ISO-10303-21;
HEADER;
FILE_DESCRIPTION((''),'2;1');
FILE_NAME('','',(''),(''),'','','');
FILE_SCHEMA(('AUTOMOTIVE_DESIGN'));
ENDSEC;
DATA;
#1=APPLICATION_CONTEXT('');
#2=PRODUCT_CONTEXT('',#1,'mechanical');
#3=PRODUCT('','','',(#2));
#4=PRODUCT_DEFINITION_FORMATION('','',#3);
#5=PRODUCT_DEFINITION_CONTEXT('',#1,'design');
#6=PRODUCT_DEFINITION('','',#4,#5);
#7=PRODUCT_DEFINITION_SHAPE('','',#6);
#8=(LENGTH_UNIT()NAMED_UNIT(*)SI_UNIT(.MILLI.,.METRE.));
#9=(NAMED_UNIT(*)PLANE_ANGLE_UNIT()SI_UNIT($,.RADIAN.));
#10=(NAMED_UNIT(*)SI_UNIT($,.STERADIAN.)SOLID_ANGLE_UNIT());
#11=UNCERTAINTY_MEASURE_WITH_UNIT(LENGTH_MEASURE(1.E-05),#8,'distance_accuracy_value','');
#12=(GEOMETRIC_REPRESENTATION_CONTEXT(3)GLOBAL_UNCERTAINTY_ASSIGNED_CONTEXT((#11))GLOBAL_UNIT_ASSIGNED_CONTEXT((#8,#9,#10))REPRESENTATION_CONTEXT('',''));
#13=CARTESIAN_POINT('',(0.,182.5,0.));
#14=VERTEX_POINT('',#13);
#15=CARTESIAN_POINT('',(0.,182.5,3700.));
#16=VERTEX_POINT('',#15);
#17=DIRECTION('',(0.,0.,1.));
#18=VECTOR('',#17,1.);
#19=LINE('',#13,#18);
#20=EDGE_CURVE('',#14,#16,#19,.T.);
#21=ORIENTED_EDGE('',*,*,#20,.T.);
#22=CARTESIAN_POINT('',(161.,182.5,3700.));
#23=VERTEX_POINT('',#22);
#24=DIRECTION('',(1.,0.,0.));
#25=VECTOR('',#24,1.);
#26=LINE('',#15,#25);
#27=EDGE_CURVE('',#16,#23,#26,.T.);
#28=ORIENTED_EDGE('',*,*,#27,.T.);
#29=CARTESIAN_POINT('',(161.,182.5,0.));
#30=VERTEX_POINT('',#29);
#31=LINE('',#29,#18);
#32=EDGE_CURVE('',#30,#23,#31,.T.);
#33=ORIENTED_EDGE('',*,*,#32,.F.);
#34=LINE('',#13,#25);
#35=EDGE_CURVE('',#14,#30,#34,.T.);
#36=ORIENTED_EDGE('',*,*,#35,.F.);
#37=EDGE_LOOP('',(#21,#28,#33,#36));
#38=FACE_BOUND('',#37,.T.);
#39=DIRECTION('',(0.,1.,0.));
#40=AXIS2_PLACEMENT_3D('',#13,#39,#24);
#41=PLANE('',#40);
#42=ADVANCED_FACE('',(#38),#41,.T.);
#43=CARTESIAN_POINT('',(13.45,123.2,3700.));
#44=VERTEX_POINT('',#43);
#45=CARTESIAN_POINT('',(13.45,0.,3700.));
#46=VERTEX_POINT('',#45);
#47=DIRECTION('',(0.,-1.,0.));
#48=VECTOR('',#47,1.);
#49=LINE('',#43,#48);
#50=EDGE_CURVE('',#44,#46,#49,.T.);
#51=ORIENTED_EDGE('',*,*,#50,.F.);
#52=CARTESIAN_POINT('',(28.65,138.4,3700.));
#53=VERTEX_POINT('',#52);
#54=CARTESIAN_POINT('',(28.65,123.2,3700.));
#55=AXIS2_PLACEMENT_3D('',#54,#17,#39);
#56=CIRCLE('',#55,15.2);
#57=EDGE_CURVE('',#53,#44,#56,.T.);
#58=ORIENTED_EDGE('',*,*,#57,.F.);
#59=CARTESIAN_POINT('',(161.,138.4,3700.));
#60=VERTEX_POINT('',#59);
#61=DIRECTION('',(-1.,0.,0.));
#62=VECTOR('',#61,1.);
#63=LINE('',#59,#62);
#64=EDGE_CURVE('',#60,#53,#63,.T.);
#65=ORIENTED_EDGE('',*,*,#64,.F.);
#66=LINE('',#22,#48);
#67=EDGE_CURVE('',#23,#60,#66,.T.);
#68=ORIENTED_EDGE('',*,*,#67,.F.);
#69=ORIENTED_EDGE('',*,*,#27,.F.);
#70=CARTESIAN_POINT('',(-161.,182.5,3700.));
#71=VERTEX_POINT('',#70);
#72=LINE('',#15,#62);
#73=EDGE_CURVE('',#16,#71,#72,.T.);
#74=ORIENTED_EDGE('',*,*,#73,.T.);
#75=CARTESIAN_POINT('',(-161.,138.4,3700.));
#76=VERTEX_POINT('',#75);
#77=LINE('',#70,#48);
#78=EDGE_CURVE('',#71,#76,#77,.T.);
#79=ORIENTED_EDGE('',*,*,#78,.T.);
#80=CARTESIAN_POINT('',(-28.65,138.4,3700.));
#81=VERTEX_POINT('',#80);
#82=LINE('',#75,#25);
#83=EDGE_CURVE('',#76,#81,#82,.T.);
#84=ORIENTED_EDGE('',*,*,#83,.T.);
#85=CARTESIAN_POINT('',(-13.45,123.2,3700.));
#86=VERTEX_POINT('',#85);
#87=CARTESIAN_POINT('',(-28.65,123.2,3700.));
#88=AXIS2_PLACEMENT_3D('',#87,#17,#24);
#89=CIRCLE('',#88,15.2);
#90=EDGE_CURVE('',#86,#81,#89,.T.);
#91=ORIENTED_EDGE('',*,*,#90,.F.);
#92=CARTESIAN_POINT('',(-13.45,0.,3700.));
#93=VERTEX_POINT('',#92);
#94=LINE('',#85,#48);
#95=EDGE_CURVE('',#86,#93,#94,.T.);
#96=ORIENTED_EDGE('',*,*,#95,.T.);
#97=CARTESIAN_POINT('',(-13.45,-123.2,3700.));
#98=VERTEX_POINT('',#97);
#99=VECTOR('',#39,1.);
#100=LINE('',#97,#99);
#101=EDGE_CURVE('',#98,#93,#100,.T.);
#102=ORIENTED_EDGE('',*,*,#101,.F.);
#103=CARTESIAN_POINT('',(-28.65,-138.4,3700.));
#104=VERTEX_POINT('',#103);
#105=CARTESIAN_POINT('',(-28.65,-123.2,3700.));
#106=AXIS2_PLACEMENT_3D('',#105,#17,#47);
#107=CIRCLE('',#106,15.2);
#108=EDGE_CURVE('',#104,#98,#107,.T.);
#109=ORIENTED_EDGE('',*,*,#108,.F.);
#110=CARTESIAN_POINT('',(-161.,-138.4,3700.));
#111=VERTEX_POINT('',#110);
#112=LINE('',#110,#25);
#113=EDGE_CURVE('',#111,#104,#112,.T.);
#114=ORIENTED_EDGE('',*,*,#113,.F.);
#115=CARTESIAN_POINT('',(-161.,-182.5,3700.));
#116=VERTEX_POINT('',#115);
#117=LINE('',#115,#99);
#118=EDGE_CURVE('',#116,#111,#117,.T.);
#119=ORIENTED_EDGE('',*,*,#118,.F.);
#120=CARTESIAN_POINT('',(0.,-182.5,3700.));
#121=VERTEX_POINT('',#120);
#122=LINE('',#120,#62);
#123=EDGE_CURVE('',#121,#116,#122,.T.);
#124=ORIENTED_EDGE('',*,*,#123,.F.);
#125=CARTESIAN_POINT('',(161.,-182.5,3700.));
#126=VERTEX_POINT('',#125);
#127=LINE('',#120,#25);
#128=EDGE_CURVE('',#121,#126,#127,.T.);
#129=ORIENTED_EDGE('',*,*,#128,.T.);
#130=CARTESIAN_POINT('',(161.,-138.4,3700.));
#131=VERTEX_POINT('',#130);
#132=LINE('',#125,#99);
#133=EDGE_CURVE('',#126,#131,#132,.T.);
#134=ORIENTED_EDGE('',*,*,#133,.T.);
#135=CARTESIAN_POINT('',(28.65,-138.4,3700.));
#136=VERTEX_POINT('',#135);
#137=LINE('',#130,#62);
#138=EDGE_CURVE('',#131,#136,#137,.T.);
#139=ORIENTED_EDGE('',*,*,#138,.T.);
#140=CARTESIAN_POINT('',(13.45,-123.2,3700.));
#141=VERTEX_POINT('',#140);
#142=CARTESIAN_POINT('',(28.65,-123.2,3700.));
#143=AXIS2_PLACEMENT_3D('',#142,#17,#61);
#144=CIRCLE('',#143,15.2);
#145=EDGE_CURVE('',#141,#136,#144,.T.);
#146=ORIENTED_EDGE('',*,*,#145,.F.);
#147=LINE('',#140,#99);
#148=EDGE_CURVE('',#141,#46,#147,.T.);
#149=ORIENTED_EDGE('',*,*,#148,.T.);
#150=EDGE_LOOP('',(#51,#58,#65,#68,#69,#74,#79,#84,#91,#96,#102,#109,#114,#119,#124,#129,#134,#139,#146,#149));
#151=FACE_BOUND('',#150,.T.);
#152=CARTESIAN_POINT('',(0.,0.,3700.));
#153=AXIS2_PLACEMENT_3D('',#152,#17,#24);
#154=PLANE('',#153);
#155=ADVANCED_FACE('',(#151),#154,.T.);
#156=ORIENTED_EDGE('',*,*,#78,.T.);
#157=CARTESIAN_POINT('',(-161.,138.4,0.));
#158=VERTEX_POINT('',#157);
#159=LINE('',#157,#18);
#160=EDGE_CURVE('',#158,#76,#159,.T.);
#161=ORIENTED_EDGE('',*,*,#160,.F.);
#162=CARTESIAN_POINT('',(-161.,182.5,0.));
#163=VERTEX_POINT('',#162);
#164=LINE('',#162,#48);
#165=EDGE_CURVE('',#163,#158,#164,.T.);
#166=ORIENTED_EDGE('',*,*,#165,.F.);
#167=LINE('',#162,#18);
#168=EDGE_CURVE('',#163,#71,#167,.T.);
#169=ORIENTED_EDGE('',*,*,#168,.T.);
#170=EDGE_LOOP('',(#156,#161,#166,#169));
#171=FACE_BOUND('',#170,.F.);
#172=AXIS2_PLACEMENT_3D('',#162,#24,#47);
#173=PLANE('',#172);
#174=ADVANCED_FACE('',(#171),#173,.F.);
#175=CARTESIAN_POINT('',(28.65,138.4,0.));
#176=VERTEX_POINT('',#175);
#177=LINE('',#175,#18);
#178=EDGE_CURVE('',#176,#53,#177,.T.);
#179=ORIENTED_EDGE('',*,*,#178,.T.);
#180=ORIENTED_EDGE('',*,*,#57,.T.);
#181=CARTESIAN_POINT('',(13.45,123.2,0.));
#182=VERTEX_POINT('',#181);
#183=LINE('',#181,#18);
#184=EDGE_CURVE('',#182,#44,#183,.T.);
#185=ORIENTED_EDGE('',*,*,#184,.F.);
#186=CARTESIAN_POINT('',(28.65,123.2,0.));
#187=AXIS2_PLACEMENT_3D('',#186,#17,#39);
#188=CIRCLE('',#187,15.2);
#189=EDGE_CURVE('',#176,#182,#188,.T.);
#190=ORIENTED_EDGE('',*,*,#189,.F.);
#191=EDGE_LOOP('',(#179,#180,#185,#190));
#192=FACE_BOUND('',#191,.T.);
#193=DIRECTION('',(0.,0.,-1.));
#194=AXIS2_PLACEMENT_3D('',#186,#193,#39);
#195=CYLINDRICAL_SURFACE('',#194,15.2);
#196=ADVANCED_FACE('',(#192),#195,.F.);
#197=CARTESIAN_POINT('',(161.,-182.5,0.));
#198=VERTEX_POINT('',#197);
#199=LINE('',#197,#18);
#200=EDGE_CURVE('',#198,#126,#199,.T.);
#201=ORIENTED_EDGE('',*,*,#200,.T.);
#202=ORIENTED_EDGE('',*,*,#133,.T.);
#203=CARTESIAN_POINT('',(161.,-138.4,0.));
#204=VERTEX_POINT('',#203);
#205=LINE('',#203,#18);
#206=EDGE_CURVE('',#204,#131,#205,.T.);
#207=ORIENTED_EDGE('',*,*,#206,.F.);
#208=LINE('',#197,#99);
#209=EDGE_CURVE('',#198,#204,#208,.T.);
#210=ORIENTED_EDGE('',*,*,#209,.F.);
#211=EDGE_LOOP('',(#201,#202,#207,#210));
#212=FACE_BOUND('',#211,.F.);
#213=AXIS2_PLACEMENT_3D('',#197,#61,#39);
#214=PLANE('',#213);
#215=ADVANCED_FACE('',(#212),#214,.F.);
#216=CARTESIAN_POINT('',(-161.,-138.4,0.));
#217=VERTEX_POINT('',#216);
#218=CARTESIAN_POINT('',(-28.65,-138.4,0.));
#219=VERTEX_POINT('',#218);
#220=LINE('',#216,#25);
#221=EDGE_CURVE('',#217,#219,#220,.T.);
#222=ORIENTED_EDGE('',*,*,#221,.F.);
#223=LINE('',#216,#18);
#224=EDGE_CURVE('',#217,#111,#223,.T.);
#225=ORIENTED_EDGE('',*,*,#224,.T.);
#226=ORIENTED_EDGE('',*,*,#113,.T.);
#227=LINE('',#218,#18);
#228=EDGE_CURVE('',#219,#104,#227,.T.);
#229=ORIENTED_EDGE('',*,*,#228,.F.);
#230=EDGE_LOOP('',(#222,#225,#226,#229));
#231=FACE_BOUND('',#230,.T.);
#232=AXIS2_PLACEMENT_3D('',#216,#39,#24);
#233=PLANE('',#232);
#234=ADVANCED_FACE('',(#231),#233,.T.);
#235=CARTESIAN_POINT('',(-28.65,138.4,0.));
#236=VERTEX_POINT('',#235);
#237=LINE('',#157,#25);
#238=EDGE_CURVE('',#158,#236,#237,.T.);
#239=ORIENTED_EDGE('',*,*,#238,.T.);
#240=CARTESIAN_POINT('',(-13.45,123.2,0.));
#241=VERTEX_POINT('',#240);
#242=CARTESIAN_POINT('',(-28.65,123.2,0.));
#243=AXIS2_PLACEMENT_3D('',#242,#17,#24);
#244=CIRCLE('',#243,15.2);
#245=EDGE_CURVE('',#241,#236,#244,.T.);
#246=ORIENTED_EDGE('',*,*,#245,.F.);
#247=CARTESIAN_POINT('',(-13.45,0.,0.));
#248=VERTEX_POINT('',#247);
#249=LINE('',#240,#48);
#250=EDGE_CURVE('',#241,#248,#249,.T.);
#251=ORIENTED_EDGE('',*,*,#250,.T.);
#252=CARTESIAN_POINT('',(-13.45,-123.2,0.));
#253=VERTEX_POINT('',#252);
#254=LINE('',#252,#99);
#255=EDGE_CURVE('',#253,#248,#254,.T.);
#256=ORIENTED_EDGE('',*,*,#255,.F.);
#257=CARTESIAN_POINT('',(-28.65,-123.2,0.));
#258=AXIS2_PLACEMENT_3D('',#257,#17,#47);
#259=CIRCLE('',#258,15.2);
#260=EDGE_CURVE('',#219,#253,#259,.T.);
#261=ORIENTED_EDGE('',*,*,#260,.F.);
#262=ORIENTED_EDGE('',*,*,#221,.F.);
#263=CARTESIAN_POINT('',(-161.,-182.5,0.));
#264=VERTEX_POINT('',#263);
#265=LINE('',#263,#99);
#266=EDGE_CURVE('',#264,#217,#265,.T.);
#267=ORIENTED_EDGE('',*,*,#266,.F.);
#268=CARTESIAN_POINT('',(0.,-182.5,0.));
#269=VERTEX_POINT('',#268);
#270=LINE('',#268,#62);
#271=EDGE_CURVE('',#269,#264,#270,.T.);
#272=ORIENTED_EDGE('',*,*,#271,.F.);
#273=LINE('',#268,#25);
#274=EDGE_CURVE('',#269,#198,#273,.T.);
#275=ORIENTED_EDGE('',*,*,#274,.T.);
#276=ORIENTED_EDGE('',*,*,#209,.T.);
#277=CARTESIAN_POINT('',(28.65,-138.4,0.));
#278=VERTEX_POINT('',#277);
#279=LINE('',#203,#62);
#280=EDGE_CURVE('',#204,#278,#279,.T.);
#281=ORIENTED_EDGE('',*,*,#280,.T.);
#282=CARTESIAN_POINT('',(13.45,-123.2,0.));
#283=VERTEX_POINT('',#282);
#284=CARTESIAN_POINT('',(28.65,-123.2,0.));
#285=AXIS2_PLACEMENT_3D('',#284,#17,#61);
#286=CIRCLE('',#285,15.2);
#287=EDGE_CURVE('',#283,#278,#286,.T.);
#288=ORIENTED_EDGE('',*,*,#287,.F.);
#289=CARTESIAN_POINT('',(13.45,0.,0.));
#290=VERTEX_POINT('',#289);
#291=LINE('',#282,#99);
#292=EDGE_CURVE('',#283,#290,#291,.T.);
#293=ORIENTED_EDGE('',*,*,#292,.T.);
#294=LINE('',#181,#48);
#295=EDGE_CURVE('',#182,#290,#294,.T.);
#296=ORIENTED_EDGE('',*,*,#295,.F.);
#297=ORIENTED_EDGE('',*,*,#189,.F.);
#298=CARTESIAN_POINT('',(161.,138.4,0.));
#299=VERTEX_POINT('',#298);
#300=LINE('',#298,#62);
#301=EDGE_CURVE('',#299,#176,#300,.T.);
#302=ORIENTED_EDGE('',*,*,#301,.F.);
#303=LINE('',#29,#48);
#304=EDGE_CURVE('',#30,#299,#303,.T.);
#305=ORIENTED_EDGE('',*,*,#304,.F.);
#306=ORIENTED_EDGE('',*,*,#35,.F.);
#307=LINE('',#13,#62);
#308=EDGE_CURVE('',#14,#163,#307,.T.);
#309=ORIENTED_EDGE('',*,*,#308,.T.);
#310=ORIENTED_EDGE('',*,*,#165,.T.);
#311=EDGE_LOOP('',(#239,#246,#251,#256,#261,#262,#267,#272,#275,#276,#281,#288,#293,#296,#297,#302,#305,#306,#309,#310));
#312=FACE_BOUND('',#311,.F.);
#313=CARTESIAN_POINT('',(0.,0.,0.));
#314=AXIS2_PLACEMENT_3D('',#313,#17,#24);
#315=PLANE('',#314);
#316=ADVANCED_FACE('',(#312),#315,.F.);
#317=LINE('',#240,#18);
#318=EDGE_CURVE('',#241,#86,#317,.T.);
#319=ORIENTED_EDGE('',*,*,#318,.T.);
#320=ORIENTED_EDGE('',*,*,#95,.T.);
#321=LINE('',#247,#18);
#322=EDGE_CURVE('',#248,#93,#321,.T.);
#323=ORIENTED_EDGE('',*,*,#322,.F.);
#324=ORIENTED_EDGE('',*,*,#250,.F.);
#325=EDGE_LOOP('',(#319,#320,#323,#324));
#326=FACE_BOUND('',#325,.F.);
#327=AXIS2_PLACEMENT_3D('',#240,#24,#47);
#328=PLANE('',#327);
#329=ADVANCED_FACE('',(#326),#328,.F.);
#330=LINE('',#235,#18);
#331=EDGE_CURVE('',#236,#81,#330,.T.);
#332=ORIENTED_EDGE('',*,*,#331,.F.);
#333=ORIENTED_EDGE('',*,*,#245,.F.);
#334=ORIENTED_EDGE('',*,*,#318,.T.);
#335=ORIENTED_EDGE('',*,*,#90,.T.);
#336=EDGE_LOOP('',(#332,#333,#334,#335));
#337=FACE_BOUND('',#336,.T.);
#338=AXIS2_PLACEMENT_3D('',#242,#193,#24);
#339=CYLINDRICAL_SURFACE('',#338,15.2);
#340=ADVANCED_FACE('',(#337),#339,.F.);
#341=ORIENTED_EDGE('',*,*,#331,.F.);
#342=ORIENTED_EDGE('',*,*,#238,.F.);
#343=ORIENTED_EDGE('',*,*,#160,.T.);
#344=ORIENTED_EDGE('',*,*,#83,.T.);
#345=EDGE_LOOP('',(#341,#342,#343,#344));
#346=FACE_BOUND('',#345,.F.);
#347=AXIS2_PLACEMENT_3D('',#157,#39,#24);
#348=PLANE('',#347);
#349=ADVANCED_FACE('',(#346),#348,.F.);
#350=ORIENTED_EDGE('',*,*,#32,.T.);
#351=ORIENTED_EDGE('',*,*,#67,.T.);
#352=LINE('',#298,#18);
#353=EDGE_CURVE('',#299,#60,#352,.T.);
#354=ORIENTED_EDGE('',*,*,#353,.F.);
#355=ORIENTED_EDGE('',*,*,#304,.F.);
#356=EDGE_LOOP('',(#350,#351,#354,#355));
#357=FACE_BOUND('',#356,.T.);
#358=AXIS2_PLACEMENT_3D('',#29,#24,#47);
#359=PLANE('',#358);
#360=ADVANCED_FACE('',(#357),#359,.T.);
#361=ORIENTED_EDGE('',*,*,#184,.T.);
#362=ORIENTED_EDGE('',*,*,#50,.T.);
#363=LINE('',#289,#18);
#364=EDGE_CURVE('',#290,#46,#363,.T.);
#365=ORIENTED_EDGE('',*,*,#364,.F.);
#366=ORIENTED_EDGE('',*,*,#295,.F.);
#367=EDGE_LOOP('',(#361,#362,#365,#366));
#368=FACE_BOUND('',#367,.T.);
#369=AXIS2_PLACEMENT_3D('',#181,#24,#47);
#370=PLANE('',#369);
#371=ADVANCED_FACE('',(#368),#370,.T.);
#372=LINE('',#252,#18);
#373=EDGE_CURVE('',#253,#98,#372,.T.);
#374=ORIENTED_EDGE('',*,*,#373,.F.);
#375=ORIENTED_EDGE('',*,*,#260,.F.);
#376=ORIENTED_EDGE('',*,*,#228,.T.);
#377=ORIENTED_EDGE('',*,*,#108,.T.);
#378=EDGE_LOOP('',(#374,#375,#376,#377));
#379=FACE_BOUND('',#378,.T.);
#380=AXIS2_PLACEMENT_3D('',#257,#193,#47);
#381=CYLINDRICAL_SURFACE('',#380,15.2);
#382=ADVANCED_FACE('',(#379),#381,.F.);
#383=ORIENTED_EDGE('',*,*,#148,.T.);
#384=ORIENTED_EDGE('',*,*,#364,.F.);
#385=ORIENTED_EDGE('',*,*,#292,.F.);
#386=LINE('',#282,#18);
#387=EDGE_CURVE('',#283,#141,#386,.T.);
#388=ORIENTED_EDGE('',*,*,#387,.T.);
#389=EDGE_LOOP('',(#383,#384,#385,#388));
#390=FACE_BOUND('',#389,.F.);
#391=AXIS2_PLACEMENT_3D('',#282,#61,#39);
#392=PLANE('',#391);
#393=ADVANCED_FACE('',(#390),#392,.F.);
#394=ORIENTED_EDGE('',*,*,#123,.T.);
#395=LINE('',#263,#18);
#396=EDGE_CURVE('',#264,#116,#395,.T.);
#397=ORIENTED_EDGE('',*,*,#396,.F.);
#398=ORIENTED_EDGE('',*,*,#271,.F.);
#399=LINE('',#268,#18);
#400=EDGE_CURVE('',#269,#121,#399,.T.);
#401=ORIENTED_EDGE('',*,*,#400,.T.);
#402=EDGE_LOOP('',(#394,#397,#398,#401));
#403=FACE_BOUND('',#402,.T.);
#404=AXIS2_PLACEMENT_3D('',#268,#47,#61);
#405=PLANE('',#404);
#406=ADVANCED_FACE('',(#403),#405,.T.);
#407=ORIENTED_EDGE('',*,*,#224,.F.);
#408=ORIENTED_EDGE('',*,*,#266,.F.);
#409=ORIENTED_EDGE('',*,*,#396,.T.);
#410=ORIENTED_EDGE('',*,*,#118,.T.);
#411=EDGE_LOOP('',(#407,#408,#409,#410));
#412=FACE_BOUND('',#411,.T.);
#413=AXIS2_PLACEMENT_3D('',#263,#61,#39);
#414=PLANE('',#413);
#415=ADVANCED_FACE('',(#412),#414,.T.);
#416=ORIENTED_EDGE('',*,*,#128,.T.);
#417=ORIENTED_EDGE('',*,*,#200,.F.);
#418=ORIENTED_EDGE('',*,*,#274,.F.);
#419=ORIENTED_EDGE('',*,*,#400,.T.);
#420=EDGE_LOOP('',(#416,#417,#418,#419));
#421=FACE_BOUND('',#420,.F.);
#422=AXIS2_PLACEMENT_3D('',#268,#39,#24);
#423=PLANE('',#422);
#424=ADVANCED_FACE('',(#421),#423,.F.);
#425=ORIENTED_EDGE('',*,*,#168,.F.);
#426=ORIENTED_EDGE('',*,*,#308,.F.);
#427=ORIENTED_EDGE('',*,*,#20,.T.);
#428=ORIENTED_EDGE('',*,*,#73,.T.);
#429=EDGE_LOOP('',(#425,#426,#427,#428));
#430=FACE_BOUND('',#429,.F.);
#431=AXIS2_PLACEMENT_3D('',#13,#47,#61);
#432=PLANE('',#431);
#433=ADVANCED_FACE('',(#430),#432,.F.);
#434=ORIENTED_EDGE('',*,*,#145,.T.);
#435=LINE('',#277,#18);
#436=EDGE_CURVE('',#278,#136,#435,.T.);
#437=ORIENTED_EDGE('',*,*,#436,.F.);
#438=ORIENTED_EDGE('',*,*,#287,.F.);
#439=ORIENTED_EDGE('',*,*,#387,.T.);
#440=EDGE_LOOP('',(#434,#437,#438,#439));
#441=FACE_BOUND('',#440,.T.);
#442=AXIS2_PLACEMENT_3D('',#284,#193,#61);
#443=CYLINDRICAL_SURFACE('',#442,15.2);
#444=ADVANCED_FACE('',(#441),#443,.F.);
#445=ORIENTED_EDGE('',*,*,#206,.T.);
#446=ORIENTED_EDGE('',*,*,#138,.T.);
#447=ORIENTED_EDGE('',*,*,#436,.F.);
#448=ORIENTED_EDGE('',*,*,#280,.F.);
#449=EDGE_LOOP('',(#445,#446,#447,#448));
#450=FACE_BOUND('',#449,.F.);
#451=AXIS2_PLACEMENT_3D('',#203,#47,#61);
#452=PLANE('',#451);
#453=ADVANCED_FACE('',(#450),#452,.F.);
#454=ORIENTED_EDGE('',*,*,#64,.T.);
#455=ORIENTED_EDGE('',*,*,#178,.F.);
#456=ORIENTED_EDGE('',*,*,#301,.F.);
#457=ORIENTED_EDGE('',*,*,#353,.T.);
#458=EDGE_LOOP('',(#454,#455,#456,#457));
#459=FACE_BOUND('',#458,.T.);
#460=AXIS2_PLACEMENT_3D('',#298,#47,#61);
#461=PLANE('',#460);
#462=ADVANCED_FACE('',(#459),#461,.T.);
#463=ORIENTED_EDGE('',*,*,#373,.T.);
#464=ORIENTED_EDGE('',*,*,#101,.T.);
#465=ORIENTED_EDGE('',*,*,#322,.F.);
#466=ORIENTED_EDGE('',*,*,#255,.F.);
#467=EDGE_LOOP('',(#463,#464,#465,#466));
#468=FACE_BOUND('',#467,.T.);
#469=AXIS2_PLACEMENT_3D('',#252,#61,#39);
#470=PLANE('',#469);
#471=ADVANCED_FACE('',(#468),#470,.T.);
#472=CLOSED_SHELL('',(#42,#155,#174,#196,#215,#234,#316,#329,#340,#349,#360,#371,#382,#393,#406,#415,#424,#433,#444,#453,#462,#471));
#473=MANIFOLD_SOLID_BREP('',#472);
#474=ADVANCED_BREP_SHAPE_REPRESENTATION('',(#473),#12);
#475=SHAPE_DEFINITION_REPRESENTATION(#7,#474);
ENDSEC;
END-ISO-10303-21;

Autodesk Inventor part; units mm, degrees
ref_plane "YZ Plane" through (0, 0, 0) normal (1, 0, 0) x (0, 1, 0)
ref_plane "Start plane" through (0, 0, 0) normal (0, 0, 1) x (1, 0, 0)
ref_plane "End plane" through (0, 0, 3700) normal (0, 0, 1) x (1, 0, 0)
sketch "Sketch" plane through (0, 0, 0) normal (0, 0, 1) x (1, 0, 0)
  line L0 (-161, -182.5) -> (-161, -138.4)
  line L1 (-161, -138.4) -> (-28.65, -138.4)
  line L2 (-13.45, -123.2) -> (-13.45, 0)
  line L3 (-13.45, 0) -> (0, 0) construction
  line L4 (0, 0) -> (0, -182.5) construction
  line L5 (0, -182.5) -> (-161, -182.5)
  line L6 (-60, 0) -> (80, 0) construction
  line L7 (0, -60) -> (0, 80) construction
  line L8 (161, -182.5) -> (161, -138.4)
  line L9 (161, -138.4) -> (28.65, -138.4)
  line L10 (13.45, -123.2) -> (13.45, 0)
  line L11 (13.45, 0) -> (0, 0) construction
  line L12 (0, -182.5) -> (161, -182.5)
  line L13 (-161, 182.5) -> (-161, 138.4)
  line L14 (-161, 138.4) -> (-28.65, 138.4)
  line L15 (-13.45, 123.2) -> (-13.45, 0)
  line L16 (0, 182.5) -> (-161, 182.5)
  line L17 (161, 182.5) -> (161, 138.4)
  line L18 (161, 138.4) -> (28.65, 138.4)
  line L19 (0, 182.5) -> (161, 182.5)
  line L20 (13.45, 123.2) -> (13.45, 0)
  arc A0 (-13.45, 123.2) -> (-28.65, 138.4) centre (-28.65, 123.2) ccw
  arc A1 (28.65, 138.4) -> (13.45, 123.2) centre (28.65, 123.2) ccw
  arc A2 (13.45, -123.2) -> (28.65, -138.4) centre (28.65, -123.2) ccw
  arc A3 (-28.65, -138.4) -> (-13.45, -123.2) centre (-28.65, -123.2) ccw
  line L21 (0, 108) -> (0, -88) construction
  line L22 (-88, 0) -> (108, 0) construction
  point P0 (-13.45, -138.4)
  point P1 (13.45, -138.4)
  point P2 (-13.45, 138.4)
  point P3 (13.45, 138.4)
  dimension "d1" = 182.5
  dimension "d2" = 44.1
  dimension "d3" = 161
  dimension "d4" = 13.45
  dimension "d10" = 15.2
extrude "Body" add sketch "Sketch" along normal up to surface (3700 mm away) from surface at 0
sketch "Sketch4" plane through (0, 0, 0) normal (0, 0, 1) x (1, 0, 0)
  line L0 (0, 0) -> (10, 0)
ref_plane "Work Plane3" through (0, 0, 0) normal (0, -1, 0) x (1, 0, 0)
sketch "Sketch5" plane through (0, 0, 0) normal (0, -1, 0) x (1, 0, 0)
  line L0 (-2, 0) -> (12, 0) projected
  line L1 (-2, 3700) -> (12, 3700) projected
  dimension "d14" = 3700
equation "\"d1\" = 0.5 * G_H"
equation "\"d2\" = G_T1"
equation "\"d3\" = 0.5 * G_W"
equation "\"d4\" = 0.5 * G_T"
equation "\"d10\" = G_IR"
equation "\"d5\" = G_L"
equation "\"G_W\" = 322"
equation "\"G_H\" = 365"
equation "\"G_T\" = 26.9"
equation "\"G_T1\" = 44.1"
equation "\"G_IR\" = 15.2"
equation "\"G_L\" = d14"
equation "\"G_OFFSET_START\" = 0"
equation "\"G_OFFSET_END\" = 0"
properties part number "AS 3679 - 310 UC - 283 - 3700" material "Steel, Mild"
